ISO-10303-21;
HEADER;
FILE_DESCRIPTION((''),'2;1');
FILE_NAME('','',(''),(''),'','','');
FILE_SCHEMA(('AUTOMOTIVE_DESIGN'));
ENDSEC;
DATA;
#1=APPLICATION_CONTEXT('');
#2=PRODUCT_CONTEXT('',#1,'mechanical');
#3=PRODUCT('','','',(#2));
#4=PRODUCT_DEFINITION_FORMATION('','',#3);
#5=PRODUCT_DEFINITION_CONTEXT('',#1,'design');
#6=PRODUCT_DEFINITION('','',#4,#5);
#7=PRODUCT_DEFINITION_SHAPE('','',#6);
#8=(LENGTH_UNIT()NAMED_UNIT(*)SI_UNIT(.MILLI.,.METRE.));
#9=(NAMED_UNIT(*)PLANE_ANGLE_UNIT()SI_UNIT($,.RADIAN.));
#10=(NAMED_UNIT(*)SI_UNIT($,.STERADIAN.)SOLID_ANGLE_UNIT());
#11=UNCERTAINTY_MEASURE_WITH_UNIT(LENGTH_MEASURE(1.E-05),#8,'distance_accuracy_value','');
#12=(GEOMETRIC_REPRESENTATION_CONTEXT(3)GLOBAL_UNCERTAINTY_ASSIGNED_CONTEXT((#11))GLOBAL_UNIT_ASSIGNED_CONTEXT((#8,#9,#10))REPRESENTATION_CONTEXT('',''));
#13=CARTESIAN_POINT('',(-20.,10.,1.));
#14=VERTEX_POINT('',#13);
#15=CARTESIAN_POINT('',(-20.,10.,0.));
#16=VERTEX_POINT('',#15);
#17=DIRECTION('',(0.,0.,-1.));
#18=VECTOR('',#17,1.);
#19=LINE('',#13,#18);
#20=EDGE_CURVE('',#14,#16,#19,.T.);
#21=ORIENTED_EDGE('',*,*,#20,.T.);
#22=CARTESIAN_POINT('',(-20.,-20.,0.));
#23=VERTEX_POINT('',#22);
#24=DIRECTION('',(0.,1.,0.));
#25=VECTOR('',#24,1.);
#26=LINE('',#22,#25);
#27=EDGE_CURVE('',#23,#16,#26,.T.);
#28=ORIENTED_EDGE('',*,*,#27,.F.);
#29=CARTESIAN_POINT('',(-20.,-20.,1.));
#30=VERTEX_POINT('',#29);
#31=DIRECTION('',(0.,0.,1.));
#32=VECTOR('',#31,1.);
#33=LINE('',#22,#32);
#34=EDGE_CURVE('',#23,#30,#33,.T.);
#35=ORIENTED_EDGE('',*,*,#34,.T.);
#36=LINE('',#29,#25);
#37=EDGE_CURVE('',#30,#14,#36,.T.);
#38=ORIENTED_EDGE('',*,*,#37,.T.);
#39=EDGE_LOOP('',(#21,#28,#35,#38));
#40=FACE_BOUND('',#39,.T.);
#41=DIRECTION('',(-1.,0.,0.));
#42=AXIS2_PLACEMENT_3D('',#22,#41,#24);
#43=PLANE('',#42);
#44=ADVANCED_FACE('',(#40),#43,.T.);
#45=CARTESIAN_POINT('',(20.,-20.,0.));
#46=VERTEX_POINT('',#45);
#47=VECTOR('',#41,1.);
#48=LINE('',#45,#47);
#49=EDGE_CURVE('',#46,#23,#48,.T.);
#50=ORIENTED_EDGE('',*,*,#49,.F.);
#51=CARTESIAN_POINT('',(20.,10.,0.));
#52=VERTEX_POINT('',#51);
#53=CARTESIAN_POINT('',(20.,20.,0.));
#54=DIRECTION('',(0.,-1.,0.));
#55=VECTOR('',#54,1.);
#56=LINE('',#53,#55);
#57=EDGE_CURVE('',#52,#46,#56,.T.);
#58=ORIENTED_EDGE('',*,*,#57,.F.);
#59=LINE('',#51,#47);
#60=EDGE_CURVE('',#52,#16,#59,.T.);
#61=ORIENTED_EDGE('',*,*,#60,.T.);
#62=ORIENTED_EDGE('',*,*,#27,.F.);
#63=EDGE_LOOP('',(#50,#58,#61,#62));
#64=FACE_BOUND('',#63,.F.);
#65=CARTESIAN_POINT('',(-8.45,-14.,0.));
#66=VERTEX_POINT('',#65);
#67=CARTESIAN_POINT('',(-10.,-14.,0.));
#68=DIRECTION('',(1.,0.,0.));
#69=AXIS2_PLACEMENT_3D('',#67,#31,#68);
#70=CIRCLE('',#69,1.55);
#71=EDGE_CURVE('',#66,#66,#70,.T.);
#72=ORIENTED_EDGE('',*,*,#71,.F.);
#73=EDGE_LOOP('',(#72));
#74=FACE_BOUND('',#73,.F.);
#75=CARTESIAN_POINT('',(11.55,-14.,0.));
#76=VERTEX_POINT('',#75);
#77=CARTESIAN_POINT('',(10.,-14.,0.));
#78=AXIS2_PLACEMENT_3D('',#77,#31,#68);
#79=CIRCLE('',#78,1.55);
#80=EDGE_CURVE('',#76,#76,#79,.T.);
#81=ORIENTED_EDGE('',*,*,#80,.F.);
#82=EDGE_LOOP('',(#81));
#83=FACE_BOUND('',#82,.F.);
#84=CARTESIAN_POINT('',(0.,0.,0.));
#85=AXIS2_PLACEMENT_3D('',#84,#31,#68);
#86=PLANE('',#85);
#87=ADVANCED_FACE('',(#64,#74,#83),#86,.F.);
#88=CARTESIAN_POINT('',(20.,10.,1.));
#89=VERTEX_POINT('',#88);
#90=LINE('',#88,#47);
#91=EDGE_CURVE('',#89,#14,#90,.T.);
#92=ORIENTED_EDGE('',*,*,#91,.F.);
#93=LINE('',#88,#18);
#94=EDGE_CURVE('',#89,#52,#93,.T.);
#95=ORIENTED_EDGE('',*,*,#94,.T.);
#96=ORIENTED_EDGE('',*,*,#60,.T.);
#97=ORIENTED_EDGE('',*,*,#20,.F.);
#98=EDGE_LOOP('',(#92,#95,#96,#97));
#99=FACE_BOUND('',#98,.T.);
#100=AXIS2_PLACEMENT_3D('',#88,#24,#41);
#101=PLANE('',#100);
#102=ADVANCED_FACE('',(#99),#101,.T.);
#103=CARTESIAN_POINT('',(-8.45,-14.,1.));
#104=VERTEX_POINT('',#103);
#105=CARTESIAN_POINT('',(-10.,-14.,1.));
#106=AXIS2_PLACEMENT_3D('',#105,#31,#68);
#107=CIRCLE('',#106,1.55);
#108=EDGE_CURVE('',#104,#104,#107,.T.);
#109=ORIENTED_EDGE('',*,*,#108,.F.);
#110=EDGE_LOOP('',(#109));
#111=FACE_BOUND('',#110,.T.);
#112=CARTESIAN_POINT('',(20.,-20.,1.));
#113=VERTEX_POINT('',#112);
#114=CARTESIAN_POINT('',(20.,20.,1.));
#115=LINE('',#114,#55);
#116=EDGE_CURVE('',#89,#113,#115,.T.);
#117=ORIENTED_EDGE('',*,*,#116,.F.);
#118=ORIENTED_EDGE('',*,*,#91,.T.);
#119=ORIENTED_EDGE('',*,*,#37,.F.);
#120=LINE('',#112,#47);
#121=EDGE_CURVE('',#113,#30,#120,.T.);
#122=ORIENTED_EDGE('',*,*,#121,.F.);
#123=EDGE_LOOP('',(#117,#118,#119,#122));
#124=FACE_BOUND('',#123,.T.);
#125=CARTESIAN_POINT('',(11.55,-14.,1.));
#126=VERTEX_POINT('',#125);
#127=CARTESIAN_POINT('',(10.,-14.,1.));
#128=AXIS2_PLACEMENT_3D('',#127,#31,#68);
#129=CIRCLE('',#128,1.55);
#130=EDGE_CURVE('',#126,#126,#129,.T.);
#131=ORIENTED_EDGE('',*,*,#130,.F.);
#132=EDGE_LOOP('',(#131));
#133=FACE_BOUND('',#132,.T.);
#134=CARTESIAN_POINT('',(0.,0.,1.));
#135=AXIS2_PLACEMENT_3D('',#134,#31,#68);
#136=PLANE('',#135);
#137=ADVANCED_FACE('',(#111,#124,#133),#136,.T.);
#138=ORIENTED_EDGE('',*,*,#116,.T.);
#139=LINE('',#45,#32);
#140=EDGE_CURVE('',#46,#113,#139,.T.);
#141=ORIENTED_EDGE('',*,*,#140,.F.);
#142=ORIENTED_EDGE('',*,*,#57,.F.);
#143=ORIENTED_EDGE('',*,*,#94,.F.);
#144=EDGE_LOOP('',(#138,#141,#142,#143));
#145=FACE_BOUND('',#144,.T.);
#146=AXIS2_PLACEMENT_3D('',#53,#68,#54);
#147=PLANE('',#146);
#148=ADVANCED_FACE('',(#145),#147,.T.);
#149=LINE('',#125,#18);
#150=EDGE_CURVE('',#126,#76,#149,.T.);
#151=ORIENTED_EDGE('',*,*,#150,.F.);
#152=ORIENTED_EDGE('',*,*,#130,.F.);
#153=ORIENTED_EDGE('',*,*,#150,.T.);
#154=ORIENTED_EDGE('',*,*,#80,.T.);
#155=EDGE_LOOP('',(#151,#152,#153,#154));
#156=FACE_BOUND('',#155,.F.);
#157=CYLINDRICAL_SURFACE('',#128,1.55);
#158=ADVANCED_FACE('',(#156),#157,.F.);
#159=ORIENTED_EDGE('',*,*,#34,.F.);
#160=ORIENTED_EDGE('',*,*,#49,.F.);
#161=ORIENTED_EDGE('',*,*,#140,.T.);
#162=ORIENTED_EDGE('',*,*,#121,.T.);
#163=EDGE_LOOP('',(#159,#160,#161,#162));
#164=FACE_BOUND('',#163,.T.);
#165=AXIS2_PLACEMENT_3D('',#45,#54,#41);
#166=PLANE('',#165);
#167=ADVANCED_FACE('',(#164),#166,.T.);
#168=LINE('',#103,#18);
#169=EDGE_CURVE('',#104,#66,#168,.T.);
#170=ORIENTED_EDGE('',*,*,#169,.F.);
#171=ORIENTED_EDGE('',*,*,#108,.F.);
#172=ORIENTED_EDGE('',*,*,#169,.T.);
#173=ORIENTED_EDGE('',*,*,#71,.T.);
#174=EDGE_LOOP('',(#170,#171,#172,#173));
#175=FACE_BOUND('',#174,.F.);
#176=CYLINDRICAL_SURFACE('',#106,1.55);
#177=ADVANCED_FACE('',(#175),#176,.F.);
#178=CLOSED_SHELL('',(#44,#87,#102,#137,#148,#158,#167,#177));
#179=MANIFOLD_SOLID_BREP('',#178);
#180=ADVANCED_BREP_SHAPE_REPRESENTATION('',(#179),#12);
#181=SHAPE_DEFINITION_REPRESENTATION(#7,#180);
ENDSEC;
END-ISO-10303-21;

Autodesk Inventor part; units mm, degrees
ref_plane "YZ Plane" through (0, 0, 0) normal (1, 0, 0) x (0, 1, 0)
ref_plane "XZ Plane" through (0, 0, 0) normal (0, 1, 0) x (-1, 0, 0)
ref_plane "XY Plane" through (0, 0, 0) normal (0, 0, 1) x (1, 0, 0)
sketch "スケッチ1" plane through (0, 0, 0) normal (0, 0, 1) x (1, 0, 0)
  line L0 (-20, 20) -> (20, 20)
  line L1 (20, 20) -> (20, -20)
  line L2 (20, -20) -> (-20, -20)
  line L3 (-20, -20) -> (-20, 20)
  line L4 (-20, 20) -> (20, -20) construction
  line L5 (20, 20) -> (-20, -20) construction
  point P0 (0, 0)
  dimension "d0" = 40
  dimension "d1" = 40
extrude "押し出し1" add sketch "スケッチ1" along normal blind 1
sketch "スケッチ2" plane through (0, 0, 1) normal (0, 0, 1) x (1, 0, 0)
  line L0 (-20, 20) -> (-20, -20) projected
  line L1 (20, -20) -> (20, 20) projected
  line L2 (-20, -20) -> (20, -20) projected
  circle A0 centre (-10, -14) radius 1.55
  circle A1 centre (10, -14) radius 1.55
  point P0 (0, 0)
  dimension "d4" = 10
  dimension "d5" = 10
  dimension "d6" = 6
  dimension "d7" = 6
  dimension "d8" = 3.1
  dimension "d9" = 3.1
extrude "押し出し2" cut sketch "スケッチ2" against normal blind 1
sketch "スケッチ3" plane through (0, 0, 1) normal (0, 0, 1) x (1, 0, 0)
  line L0 (-20, 20) -> (20, 20)
  line L1 (20, 20) -> (20, 10)
  line L2 (20, 10) -> (-20, 10)
  line L3 (-20, 10) -> (-20, 20)
  line L4 (20, -20) -> (20, 20) projected
  line L5 (20, 20) -> (-20, 20) projected
  point P0 (0, 0)
  dimension "d12" = 40
  dimension "d13" = 10
  dimension "d14" = 0
  dimension "d15" = 0
extrude "押し出し3" cut sketch "スケッチ3" against normal blind 1
properties part number "gard"
